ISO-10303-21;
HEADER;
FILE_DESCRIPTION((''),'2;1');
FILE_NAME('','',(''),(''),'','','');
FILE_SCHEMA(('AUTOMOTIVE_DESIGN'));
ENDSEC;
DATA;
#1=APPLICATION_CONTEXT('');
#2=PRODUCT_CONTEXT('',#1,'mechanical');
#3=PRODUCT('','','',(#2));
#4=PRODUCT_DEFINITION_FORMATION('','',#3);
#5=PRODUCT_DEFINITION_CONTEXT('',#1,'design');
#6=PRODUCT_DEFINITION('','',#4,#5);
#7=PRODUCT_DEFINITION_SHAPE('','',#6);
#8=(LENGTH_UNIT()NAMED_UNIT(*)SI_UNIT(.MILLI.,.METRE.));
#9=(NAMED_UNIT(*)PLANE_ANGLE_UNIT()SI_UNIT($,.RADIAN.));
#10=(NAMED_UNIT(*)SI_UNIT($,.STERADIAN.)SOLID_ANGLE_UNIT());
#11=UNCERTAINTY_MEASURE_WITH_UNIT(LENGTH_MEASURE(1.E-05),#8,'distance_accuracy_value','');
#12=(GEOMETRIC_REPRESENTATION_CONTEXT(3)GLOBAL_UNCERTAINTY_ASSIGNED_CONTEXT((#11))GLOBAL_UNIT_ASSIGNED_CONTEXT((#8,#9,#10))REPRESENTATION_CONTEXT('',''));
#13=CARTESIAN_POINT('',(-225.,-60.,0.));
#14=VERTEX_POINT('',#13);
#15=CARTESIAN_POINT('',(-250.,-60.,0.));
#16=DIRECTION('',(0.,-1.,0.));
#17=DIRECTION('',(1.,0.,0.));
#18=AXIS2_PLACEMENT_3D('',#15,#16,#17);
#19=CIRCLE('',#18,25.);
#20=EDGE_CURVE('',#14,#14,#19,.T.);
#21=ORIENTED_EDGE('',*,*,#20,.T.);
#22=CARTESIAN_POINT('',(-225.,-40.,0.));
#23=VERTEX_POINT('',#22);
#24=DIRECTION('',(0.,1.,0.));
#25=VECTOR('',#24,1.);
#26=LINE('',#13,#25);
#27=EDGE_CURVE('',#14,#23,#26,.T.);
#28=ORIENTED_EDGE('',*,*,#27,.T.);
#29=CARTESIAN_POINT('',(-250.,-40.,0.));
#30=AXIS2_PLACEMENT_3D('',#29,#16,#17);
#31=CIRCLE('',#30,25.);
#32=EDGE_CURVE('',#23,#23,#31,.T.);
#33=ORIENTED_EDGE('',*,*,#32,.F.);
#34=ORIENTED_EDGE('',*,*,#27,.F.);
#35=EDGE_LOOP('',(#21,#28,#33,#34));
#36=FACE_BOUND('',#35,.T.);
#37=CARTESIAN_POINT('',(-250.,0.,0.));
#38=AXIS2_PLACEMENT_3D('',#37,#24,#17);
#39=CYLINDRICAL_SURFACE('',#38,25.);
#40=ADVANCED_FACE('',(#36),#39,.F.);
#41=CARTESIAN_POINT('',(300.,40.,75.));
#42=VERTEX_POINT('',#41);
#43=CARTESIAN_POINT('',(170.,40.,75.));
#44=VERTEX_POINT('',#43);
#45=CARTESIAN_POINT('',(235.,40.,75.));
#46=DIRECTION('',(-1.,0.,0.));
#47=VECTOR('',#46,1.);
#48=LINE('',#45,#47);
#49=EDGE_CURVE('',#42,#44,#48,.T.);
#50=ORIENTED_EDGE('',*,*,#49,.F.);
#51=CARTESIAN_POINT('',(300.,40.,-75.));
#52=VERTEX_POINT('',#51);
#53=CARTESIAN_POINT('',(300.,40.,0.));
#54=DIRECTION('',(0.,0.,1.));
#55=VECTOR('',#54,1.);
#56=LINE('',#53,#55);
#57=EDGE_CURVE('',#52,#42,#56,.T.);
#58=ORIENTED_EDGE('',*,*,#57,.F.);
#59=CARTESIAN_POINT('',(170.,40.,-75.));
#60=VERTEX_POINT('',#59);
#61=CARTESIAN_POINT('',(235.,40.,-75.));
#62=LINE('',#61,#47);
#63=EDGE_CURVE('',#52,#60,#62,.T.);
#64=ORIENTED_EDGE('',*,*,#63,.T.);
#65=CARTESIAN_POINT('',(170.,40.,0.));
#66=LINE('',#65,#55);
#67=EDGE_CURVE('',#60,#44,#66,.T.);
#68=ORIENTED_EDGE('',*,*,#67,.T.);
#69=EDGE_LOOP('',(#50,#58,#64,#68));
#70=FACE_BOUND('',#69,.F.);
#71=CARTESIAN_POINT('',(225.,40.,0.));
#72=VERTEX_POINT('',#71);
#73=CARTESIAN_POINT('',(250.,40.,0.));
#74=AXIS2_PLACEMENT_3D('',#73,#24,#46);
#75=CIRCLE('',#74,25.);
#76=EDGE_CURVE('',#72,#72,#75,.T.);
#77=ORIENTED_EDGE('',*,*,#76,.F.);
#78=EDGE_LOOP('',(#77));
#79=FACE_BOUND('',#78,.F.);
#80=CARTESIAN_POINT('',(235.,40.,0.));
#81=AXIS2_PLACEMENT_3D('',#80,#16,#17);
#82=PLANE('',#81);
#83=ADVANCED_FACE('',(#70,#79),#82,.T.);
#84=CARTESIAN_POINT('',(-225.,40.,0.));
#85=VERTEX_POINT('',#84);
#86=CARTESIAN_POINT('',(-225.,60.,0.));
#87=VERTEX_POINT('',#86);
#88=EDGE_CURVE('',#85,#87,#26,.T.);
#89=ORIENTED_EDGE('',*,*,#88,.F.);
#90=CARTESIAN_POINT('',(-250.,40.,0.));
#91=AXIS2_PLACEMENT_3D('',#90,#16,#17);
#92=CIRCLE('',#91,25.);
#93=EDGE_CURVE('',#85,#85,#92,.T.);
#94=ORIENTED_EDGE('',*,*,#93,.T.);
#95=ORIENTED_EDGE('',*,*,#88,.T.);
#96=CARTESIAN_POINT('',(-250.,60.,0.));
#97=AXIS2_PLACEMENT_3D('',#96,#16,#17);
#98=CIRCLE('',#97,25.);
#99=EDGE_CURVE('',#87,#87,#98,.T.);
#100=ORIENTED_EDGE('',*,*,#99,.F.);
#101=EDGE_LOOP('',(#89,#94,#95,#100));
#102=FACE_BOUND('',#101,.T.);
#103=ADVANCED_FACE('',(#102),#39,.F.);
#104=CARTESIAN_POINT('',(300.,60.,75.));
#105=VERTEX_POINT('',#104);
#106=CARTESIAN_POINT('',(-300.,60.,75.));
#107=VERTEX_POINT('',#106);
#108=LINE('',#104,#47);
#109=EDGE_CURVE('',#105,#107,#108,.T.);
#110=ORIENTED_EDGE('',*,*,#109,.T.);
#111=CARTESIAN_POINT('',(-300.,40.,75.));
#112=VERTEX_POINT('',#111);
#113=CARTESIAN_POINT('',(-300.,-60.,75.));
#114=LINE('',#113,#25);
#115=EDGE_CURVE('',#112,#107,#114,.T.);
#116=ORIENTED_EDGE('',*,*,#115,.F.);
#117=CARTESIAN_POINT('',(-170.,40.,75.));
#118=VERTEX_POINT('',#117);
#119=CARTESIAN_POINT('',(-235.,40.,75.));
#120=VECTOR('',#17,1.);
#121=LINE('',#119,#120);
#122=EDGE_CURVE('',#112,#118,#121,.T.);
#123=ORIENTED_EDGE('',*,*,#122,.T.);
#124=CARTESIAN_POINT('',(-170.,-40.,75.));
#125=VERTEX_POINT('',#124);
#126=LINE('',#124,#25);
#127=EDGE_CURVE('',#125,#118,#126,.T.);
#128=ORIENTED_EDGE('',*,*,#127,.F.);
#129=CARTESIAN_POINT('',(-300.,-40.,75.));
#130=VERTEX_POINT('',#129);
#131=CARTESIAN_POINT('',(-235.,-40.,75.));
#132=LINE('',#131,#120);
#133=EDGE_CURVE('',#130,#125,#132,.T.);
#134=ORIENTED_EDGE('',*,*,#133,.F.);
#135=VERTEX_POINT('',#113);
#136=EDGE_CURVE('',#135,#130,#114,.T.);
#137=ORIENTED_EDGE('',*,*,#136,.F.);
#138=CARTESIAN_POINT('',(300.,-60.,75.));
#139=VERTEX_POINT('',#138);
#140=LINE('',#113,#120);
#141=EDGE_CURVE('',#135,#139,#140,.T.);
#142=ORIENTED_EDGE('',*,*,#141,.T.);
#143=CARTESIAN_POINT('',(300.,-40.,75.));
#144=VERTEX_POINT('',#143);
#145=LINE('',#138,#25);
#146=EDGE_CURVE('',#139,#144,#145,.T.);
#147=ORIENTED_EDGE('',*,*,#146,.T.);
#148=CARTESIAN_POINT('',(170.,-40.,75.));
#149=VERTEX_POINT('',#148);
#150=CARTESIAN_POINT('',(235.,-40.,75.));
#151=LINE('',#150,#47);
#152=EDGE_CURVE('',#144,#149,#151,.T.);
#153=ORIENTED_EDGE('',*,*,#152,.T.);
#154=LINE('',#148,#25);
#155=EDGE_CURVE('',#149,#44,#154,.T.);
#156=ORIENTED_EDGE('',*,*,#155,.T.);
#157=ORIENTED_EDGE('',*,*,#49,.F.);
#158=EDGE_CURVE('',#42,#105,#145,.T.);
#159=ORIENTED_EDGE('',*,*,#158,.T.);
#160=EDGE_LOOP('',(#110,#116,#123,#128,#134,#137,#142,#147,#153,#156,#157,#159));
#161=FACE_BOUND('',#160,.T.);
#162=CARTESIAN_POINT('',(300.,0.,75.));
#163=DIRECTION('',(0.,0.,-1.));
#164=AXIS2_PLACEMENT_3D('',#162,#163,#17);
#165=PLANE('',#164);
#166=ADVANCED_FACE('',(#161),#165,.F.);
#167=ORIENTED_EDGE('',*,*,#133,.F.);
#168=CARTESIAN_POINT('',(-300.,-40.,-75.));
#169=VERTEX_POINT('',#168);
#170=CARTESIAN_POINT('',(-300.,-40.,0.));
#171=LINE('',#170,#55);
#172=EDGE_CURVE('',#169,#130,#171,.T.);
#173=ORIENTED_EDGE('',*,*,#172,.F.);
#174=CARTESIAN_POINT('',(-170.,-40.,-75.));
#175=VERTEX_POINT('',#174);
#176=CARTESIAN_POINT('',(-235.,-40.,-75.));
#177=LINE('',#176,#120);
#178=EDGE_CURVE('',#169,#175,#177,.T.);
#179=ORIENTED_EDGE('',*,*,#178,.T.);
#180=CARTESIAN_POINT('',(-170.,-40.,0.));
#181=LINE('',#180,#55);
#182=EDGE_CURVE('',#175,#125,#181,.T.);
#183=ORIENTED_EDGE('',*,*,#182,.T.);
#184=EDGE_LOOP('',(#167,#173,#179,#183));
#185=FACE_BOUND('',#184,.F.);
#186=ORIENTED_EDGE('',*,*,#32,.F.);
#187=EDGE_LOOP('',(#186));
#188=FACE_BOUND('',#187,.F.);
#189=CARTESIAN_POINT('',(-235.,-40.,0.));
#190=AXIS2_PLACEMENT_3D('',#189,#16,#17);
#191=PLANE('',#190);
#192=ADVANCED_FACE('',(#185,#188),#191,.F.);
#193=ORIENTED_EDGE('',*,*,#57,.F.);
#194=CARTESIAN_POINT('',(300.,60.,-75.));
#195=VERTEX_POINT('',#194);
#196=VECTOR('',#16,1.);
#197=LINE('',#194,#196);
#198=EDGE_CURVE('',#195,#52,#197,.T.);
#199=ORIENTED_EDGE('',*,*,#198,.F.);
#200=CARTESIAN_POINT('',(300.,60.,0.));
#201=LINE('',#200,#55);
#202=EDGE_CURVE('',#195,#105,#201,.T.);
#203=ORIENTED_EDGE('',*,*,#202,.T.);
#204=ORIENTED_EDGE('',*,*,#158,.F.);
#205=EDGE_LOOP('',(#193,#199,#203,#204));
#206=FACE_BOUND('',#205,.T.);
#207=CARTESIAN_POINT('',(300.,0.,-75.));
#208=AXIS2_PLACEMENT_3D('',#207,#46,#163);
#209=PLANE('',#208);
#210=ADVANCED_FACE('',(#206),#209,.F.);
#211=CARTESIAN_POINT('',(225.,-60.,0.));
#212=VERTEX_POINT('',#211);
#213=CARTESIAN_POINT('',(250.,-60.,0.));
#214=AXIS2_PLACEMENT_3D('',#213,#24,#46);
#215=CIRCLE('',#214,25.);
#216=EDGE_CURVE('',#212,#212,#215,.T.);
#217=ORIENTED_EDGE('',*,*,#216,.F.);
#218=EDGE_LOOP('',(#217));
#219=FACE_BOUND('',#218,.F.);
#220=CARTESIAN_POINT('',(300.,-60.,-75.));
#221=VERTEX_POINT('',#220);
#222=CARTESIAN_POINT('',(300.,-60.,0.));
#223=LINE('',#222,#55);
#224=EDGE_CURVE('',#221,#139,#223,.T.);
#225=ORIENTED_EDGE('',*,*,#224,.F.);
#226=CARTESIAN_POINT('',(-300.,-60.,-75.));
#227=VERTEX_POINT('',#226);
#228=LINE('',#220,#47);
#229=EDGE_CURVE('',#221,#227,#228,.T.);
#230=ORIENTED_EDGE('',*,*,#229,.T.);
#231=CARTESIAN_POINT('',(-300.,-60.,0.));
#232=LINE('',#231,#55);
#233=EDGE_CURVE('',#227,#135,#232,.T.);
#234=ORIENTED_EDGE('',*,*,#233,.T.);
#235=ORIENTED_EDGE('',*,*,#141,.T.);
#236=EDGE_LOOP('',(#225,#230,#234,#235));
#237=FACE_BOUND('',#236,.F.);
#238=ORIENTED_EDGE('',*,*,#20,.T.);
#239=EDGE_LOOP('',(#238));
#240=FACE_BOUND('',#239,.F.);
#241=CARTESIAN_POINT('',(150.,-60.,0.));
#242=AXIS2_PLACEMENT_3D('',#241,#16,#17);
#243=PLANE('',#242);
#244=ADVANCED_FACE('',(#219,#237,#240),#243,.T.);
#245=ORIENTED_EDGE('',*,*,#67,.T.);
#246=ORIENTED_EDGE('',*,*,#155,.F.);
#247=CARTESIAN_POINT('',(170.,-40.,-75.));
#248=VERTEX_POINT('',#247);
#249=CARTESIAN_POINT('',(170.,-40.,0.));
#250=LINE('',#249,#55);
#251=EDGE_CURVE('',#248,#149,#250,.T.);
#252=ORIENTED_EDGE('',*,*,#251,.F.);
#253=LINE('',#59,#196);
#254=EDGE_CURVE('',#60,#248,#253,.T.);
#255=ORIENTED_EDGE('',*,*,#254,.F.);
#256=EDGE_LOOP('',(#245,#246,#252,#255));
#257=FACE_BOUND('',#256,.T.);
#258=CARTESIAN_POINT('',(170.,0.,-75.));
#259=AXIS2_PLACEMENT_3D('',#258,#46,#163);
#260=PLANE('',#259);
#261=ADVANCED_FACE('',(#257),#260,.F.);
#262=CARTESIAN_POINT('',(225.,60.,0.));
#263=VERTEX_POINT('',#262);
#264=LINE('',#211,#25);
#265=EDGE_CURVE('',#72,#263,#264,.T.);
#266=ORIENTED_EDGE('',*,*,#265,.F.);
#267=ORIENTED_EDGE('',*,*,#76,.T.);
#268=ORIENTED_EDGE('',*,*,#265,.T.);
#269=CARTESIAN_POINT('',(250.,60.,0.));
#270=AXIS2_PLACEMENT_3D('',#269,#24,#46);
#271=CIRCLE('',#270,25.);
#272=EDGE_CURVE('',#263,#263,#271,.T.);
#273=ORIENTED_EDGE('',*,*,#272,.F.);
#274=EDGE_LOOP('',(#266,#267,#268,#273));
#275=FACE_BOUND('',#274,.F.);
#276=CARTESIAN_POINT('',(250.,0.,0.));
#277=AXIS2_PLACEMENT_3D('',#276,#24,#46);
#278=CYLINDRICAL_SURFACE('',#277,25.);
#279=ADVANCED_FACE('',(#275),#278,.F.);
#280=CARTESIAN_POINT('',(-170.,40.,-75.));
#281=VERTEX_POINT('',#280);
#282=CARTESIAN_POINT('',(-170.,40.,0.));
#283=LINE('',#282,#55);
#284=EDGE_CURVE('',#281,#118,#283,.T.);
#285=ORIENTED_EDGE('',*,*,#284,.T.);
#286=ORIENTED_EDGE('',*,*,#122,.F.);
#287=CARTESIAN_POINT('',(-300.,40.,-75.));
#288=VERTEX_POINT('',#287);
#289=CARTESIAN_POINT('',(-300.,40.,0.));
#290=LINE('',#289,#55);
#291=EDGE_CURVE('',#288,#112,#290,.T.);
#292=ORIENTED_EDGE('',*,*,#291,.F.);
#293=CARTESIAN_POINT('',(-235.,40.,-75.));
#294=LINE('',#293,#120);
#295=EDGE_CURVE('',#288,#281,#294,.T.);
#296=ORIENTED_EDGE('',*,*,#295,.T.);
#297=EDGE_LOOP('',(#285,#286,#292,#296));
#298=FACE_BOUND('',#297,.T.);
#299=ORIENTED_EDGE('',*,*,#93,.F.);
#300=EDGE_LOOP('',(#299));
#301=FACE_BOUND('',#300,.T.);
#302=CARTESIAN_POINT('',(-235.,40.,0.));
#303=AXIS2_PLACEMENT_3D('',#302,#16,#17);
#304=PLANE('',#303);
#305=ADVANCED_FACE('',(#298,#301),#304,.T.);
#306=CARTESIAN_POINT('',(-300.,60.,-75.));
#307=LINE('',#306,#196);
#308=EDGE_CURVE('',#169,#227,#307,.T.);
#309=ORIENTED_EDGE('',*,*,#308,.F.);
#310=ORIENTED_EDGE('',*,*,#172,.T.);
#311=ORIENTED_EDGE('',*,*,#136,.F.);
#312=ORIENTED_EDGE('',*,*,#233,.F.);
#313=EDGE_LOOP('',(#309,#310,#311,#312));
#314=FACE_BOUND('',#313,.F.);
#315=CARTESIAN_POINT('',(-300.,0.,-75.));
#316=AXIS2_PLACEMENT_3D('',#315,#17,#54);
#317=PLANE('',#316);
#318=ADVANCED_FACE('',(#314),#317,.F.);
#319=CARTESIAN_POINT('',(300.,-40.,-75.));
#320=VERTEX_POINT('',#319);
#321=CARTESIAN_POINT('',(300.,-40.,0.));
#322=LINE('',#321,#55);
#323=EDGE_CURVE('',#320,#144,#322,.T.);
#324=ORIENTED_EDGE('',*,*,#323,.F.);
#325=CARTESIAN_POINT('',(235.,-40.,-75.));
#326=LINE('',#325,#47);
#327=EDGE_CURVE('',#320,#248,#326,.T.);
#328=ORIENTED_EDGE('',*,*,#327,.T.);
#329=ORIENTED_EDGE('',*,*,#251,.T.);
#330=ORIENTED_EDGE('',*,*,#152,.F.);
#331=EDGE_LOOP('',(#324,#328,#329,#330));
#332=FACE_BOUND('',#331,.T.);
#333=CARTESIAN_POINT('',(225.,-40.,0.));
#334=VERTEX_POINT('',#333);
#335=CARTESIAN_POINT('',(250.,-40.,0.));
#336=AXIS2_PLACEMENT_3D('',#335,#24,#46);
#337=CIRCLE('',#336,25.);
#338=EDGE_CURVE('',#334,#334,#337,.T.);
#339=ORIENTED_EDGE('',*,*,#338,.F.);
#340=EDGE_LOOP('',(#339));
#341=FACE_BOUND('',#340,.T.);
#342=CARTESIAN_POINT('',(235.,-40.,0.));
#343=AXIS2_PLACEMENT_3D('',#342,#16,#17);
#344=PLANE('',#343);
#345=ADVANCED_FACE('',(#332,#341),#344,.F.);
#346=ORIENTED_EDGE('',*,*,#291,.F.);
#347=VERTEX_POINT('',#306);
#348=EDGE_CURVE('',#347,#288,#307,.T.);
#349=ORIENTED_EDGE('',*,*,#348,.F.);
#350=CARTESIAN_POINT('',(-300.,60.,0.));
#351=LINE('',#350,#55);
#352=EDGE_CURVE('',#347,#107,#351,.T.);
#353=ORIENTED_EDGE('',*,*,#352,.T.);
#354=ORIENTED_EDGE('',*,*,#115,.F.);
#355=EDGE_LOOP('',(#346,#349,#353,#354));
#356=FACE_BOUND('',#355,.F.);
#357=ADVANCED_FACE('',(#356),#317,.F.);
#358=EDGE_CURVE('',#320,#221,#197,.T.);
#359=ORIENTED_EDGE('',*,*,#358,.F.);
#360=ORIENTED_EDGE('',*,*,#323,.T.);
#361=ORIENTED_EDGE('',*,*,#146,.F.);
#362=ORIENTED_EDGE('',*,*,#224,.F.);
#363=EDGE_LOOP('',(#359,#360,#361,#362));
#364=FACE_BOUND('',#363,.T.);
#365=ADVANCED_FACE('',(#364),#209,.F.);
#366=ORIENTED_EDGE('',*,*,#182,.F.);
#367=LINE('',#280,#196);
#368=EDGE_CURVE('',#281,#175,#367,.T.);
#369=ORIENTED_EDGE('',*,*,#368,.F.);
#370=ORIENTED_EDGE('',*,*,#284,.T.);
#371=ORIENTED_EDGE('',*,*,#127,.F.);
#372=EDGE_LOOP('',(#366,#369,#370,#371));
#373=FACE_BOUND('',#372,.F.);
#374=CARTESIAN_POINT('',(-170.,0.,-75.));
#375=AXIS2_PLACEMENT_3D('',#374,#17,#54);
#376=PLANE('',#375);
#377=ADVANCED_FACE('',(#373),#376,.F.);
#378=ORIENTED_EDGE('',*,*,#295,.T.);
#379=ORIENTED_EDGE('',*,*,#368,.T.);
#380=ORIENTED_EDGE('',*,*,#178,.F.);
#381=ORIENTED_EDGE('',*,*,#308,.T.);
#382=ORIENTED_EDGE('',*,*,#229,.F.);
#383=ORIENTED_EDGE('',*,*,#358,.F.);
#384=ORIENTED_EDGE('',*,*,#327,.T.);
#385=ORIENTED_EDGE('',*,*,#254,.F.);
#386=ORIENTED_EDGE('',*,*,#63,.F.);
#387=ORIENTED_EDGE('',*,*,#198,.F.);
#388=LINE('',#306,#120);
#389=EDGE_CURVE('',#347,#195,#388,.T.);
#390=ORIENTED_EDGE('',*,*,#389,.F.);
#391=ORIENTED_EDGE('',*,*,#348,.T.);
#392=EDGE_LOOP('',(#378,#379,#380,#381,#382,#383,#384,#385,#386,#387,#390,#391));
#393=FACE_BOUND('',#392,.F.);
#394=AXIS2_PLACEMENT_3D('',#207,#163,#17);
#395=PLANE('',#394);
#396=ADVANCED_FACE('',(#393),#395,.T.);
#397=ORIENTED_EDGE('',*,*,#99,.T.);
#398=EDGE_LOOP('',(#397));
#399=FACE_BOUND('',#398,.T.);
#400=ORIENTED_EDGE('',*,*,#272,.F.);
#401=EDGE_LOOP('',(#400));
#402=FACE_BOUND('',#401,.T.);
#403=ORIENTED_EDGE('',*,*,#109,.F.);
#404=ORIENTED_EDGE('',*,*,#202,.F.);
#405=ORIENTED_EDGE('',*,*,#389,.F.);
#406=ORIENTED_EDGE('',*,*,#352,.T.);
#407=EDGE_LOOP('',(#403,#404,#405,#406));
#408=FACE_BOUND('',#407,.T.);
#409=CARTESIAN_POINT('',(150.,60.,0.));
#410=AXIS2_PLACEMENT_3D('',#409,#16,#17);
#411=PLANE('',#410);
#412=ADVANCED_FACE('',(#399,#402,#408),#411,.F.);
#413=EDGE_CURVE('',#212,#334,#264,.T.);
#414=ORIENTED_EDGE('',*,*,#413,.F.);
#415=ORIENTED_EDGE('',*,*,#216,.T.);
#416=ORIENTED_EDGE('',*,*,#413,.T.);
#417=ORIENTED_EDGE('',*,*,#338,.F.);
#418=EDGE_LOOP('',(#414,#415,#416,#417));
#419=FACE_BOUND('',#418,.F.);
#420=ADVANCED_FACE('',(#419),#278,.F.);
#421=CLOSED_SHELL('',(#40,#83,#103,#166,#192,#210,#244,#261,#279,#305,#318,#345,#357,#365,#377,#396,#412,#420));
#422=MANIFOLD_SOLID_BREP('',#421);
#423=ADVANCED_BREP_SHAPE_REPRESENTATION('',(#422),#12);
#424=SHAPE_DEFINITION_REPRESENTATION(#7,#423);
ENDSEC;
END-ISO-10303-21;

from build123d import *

# Parameters (mm, degrees)
F0_W     = 300
F0_H     = 150
F0_R     = 25
F1_DEPTH = 60
F2_W     = 130
F2_H     = 150
F2_R     = 25
F3_DEPTH = 40


with BuildPart() as f1:
    # F0 (on Front) → F1 (new body, symmetric)
    with BuildSketch(Plane.XZ):
        with Locations((-150, 0)):
            Rectangle(F0_W, F0_H)
        with Locations((-250, 0)):
            Circle(F0_R, mode=Mode.SUBTRACT)
    extrude(amount=F1_DEPTH, both=True)

    # F2 (on Front) → F3 (cut, symmetric)
    with BuildSketch(Plane.XZ):
        with Locations((-235, 0)):
            Rectangle(F2_W, F2_H)
        with Locations((-250, 0)):
            Circle(F2_R, mode=Mode.SUBTRACT)
    extrude(amount=F3_DEPTH, both=True, mode=Mode.SUBTRACT)

    # F4: F1 across face


with BuildPart() as f1_1:
    add(f1.part)
    add(f1.part.mirror(Plane.YZ))


solid = f1_1.part
